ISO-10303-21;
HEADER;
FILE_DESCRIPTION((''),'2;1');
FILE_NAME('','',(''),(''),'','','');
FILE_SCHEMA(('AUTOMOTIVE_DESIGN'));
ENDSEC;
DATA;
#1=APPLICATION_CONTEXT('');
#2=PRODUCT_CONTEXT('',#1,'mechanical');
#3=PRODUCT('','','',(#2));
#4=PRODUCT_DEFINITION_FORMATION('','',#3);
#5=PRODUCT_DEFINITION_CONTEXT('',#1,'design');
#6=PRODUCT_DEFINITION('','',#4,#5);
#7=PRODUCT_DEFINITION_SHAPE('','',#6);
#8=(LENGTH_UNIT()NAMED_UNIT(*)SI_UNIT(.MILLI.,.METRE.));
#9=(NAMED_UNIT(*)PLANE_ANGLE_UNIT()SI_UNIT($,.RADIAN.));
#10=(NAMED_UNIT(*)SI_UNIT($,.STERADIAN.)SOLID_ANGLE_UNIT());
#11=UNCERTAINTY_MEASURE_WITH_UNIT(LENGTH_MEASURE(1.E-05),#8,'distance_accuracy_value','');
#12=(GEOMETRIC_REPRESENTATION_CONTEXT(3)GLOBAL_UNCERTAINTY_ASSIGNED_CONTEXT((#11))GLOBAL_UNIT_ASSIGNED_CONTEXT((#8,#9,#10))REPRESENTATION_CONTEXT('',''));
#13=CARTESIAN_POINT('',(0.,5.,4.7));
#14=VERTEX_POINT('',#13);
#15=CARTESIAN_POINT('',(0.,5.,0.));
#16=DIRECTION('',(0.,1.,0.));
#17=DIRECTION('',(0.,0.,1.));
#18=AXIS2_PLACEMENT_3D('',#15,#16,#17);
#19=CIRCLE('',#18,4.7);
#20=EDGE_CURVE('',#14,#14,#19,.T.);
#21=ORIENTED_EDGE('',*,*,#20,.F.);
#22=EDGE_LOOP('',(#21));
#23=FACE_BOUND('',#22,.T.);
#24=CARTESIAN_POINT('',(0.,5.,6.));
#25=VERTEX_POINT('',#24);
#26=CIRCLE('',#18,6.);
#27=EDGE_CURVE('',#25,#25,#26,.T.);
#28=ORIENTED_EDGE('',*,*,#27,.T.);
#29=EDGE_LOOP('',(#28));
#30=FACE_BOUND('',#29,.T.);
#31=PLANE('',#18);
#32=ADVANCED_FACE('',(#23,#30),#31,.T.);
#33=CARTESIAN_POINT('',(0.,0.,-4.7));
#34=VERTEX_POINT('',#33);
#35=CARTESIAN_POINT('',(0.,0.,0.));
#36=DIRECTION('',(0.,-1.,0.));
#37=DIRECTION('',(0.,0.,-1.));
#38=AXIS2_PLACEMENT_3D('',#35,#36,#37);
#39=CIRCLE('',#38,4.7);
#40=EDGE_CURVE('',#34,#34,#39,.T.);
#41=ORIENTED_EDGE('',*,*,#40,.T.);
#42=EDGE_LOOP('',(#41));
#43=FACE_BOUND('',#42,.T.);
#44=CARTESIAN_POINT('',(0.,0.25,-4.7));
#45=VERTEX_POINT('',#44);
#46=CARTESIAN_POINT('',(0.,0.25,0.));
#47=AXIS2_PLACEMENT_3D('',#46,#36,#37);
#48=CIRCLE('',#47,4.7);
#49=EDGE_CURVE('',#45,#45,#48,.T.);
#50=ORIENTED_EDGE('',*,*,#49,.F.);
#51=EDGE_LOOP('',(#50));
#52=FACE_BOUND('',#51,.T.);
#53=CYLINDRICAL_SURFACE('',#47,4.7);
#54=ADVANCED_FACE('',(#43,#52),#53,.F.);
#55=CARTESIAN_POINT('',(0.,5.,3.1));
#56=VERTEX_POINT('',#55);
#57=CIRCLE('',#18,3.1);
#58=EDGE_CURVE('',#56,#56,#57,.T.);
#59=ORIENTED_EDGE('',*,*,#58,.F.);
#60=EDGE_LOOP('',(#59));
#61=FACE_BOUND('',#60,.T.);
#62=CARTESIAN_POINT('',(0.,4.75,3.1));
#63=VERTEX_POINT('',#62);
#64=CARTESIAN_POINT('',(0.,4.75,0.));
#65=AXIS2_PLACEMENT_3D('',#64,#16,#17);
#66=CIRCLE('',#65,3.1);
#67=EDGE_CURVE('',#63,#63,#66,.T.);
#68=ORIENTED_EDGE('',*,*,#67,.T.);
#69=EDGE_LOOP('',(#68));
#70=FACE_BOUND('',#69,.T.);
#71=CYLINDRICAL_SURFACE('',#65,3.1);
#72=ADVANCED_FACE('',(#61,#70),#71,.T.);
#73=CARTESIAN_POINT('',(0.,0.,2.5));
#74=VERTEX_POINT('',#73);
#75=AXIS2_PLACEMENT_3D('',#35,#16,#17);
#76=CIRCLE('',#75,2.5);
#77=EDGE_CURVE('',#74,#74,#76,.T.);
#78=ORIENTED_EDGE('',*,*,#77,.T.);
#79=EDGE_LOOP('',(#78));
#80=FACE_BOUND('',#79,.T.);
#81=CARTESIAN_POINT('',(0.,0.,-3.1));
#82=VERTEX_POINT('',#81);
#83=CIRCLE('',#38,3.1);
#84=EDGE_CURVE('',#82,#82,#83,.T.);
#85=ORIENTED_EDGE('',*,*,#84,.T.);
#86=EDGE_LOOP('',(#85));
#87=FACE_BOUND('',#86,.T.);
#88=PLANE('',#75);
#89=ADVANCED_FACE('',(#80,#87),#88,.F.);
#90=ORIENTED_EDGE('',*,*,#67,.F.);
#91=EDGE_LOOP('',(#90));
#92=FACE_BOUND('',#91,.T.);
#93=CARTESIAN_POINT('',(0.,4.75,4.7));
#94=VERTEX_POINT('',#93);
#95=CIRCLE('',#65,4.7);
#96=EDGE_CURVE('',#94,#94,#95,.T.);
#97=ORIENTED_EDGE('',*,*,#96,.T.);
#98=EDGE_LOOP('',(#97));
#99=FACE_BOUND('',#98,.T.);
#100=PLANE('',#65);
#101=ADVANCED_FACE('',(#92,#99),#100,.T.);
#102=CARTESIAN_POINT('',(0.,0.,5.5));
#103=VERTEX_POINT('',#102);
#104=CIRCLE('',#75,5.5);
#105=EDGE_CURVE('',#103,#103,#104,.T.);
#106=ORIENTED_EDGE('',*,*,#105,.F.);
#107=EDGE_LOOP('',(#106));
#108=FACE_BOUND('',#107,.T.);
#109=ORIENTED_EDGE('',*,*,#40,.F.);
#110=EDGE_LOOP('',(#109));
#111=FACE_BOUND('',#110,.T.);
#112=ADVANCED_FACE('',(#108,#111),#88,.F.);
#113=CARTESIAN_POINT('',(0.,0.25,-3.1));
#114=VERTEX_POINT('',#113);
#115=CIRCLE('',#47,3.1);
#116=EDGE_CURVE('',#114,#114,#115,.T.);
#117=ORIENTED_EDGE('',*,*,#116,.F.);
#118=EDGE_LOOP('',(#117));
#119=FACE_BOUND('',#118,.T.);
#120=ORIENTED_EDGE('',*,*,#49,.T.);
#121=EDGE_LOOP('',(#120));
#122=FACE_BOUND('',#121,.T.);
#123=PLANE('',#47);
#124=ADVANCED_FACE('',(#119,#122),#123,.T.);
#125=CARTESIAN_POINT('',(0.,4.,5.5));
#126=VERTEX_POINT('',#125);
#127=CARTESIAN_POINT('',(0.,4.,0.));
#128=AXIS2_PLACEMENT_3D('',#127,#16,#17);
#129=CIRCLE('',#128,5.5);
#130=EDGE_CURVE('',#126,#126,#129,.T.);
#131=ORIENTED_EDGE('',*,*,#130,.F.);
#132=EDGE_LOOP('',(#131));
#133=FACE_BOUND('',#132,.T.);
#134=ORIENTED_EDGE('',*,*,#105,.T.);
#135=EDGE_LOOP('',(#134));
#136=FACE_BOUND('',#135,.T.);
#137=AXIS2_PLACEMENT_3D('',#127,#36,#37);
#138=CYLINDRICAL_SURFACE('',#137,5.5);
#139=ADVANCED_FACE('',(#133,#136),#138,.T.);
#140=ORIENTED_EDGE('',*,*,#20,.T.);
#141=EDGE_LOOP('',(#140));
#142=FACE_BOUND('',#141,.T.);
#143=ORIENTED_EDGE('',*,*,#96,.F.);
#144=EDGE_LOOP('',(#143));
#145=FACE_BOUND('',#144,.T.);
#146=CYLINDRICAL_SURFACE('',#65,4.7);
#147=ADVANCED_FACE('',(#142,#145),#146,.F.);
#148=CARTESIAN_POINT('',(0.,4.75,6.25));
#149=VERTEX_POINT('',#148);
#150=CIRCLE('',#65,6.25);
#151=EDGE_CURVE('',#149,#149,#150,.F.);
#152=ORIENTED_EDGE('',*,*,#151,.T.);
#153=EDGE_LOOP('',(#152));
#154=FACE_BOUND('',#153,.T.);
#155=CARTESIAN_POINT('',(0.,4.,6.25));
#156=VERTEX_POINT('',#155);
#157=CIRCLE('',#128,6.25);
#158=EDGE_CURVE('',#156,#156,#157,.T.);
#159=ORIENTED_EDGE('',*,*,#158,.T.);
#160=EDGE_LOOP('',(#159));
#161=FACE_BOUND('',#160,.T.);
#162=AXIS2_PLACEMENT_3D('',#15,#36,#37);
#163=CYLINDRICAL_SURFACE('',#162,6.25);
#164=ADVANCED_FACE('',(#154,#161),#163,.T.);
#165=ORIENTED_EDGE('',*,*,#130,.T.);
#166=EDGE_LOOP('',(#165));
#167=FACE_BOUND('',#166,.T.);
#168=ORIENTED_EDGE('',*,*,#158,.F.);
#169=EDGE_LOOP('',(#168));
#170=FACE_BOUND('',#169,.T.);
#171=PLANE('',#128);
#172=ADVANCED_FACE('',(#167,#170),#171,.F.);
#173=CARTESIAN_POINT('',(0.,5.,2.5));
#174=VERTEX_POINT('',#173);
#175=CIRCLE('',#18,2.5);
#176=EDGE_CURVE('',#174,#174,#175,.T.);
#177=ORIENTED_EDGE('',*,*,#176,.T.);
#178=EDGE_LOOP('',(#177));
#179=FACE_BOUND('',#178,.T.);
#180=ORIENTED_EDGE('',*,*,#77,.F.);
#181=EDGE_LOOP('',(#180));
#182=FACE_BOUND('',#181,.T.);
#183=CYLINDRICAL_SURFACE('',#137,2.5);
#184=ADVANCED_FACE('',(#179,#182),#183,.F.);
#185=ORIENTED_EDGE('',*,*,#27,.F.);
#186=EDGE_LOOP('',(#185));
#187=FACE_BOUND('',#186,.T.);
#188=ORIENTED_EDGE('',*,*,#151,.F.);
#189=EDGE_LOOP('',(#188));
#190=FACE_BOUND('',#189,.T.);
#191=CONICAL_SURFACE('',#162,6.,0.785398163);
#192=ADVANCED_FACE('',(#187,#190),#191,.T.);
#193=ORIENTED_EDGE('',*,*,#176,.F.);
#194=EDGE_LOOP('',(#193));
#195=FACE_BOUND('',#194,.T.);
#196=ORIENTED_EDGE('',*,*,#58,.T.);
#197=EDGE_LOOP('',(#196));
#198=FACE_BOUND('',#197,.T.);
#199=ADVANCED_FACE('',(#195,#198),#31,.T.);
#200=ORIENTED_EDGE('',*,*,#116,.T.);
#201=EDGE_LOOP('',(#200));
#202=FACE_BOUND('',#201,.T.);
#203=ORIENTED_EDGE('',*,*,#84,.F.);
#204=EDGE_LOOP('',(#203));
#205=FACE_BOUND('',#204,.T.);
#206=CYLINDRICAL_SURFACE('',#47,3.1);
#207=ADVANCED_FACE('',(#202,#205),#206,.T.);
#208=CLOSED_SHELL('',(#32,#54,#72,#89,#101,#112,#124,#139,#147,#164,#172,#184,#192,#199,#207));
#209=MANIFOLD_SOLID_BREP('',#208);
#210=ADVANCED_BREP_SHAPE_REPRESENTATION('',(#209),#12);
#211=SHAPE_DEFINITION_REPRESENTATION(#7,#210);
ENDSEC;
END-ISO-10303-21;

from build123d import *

# Parameters (mm, degrees)
SKETCH1_R           = 5.5
SKETCH1_R_2         = 2.5
BOSS_EXTRUDE1_DEPTH = 4
SKETCH2_R           = 6.25
SKETCH2_R_2         = 2.5
BOSS_EXTRUDE2_DEPTH = 1
SKETCH3_R           = 4.7
SKETCH3_R_2         = 3.1
CUT_EXTRUDE1_DEPTH  = 0.25
CUT_EXTRUDE2_START  = -0.25
SKETCH4_R           = 4.7
SKETCH4_R_2         = 3.1
CUT_EXTRUDE2_DEPTH  = 0.25
CHAMFER1_SIZE       = 0.25


with BuildPart() as part:
    # Sketch1 → Boss-Extrude1 (new body)
    with BuildSketch(Plane(origin=(0, 0, 0), x_dir=(1, 0, 0), z_dir=(0, 1, 0))):
        Circle(SKETCH1_R)
        Circle(SKETCH1_R_2, mode=Mode.SUBTRACT)
    extrude(amount=BOSS_EXTRUDE1_DEPTH)

    # Sketch2 → Boss-Extrude2 (add)
    with BuildSketch(Plane(origin=(0, 4, 0), x_dir=(1, 0, 0), z_dir=(0, 1, 0))):
        Circle(SKETCH2_R)
        Circle(SKETCH2_R_2, mode=Mode.SUBTRACT)
    extrude(amount=BOSS_EXTRUDE2_DEPTH)

    # Sketch3 → Cut-Extrude1 (cut)
    with BuildSketch(Plane.XZ):
        Circle(SKETCH3_R)
        Circle(SKETCH3_R_2, mode=Mode.SUBTRACT)
    extrude(amount=-CUT_EXTRUDE1_DEPTH, mode=Mode.SUBTRACT)

    # Sketch4 → Cut-Extrude2 (cut)
    with BuildSketch(Plane(origin=(0, 5, 0), x_dir=(1, 0, 0), z_dir=(0, 1, 0)).offset(CUT_EXTRUDE2_START)):
        Circle(SKETCH4_R)
        Circle(SKETCH4_R_2, mode=Mode.SUBTRACT)
    extrude(amount=CUT_EXTRUDE2_DEPTH, mode=Mode.SUBTRACT)

    # Chamfer1
    chamfer1_edges = [part.edges().sort_by_distance(p)[0] for p in [
        (-6.25, 5, 0),
    ]]
    chamfer(chamfer1_edges, length=CHAMFER1_SIZE)


solid = part.part
